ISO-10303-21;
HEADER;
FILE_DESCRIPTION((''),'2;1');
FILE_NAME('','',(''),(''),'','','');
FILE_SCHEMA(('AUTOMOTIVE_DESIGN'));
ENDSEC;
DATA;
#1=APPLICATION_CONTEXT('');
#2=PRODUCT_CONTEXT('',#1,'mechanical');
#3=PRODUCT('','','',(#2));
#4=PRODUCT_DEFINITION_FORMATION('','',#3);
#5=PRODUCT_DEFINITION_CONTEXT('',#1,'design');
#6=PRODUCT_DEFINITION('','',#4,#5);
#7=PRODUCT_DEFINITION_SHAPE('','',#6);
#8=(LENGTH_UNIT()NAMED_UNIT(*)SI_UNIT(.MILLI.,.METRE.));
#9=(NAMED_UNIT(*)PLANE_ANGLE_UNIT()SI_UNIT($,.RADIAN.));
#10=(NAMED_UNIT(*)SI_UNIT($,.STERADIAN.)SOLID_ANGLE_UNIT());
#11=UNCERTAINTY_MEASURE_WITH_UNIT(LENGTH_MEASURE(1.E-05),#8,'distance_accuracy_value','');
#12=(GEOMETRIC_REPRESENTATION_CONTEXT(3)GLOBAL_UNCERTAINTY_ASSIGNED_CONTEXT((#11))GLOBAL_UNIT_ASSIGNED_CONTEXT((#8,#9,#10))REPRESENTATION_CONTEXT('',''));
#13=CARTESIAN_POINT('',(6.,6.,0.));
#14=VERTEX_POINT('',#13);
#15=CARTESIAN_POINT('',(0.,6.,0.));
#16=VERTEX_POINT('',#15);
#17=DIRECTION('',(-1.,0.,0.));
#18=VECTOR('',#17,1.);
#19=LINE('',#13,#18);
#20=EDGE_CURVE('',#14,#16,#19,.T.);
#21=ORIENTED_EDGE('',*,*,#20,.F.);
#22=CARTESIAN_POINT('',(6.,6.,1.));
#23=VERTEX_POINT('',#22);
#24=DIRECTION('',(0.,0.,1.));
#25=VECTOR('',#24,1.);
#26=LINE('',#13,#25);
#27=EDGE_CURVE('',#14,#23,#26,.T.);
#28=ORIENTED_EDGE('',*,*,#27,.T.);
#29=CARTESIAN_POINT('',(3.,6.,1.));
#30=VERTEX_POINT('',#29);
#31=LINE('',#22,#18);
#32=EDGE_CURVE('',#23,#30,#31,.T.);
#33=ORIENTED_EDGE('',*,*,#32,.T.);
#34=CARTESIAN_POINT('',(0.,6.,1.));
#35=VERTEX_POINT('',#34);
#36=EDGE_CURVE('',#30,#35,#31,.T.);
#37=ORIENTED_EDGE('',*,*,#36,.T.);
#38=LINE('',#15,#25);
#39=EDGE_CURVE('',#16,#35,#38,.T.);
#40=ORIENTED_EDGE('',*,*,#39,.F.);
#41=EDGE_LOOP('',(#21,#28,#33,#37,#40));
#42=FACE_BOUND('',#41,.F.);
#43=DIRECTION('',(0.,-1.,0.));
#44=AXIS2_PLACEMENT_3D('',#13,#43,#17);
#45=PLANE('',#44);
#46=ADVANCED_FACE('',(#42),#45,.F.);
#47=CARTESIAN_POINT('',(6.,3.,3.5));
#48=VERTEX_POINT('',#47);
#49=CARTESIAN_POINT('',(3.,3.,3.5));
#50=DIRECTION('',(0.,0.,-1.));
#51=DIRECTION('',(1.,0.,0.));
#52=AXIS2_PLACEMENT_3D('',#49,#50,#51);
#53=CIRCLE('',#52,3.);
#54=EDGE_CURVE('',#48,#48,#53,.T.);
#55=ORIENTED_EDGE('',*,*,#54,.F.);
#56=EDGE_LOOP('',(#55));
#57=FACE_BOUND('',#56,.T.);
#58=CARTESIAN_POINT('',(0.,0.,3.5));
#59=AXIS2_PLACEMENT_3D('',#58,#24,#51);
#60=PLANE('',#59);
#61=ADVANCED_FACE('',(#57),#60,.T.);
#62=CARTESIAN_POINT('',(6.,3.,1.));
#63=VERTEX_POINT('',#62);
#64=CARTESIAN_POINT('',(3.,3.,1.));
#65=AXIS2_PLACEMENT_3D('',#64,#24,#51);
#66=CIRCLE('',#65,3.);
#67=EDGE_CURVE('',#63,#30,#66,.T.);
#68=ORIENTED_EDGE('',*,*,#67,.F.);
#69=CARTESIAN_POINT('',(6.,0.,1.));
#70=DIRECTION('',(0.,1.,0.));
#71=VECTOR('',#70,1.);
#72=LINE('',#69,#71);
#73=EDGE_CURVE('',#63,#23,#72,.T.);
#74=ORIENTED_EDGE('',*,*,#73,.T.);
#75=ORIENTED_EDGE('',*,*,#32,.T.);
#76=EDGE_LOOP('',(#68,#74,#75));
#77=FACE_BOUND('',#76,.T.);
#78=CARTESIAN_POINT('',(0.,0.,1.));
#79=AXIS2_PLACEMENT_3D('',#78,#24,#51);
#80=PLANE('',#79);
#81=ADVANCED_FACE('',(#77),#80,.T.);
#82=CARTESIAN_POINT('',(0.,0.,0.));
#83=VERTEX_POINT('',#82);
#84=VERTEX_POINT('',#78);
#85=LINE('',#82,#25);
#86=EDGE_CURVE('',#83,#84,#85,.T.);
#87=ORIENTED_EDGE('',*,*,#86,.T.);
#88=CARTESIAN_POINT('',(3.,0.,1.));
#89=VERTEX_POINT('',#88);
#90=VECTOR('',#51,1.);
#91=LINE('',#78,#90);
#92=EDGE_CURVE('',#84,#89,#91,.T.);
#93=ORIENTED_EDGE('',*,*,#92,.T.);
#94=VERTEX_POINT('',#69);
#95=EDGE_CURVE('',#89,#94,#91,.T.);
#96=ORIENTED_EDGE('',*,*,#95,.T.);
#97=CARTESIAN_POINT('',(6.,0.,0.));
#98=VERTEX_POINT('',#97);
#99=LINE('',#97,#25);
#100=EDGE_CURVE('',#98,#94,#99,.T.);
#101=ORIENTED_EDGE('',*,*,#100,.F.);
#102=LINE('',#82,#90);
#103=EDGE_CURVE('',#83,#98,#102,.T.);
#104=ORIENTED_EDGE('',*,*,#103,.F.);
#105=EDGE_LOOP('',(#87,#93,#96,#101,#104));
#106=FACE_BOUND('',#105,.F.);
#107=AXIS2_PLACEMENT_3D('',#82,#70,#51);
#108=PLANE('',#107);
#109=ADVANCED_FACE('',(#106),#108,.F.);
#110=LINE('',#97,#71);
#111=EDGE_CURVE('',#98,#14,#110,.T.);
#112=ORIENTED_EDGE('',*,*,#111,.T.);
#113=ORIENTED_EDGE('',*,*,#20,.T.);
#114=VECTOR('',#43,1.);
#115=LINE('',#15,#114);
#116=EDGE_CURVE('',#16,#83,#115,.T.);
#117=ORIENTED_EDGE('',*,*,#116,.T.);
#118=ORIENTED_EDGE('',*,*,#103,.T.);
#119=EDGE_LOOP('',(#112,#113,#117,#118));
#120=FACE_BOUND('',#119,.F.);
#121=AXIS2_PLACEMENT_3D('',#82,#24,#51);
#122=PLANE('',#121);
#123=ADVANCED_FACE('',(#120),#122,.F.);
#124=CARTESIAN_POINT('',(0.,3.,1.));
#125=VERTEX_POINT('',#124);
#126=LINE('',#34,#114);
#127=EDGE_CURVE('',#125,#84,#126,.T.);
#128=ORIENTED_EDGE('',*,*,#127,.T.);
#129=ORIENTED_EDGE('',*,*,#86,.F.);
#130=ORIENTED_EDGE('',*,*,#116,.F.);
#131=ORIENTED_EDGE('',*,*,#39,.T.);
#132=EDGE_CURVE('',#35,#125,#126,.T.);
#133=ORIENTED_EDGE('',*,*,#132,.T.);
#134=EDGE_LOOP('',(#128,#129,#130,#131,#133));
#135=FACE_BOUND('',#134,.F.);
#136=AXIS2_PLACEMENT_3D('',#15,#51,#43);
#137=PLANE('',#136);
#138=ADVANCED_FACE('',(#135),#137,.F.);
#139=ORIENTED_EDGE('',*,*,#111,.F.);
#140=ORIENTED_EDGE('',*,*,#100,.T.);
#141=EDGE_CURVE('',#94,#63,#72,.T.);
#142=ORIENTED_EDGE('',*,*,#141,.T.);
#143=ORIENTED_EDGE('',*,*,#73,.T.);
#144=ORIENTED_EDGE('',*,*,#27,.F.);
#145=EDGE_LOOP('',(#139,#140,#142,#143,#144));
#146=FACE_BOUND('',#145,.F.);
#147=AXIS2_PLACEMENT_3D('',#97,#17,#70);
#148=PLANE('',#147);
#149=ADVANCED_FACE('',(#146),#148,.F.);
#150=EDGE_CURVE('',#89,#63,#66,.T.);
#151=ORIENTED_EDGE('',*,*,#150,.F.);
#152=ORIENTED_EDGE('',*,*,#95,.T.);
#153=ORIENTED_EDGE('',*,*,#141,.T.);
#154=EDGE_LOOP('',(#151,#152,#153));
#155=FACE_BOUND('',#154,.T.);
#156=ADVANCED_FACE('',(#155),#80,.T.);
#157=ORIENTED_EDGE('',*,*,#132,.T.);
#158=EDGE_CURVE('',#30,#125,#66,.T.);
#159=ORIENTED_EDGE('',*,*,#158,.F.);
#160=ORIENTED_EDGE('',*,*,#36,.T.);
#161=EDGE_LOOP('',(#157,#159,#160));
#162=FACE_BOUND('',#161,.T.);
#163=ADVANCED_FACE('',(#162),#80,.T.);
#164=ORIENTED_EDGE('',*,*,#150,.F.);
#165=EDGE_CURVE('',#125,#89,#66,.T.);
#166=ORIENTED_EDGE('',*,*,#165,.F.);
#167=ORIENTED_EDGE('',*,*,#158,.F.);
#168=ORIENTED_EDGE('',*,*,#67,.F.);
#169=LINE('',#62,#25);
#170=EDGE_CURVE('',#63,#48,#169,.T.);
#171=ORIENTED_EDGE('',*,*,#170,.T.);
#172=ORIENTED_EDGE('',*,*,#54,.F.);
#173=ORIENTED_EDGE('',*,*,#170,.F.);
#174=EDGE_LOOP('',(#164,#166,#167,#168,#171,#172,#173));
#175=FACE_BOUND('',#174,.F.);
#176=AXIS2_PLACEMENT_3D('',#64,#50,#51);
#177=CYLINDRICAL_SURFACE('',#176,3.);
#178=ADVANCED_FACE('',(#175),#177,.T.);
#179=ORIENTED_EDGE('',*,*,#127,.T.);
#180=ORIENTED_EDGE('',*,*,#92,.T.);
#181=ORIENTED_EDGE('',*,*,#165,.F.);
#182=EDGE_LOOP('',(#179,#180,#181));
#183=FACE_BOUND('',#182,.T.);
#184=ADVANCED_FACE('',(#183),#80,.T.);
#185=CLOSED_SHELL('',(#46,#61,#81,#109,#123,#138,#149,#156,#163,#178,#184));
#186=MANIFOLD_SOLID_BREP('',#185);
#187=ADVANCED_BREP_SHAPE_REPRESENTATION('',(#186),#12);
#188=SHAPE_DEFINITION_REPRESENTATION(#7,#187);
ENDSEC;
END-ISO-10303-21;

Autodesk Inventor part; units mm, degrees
ref_plane "YZ Plane" through (0, 0, 0) normal (1, 0, 0) x (0, 1, 0)
ref_plane "XZ Plane" through (0, 0, 0) normal (0, 1, 0) x (-1, 0, 0)
ref_plane "XY Plane" through (0, 0, 0) normal (0, 0, 1) x (1, 0, 0)
sketch "Sketch1" plane through (0, 0, 0) normal (0, 0, 1) x (1, 0, 0)
  line L0 (0, 0) -> (6, 0)
  line L1 (6, 0) -> (6, 6)
  line L2 (6, 6) -> (0, 6)
  line L3 (0, 6) -> (0, 0)
  dimension "d0" = 6
  dimension "d1" = 6
extrude "Extrusion1" add sketch "Sketch1" along normal blind 1
sketch "Sketch2" plane through (0, 0, 1) normal (0, 0, 1) x (1, 0, 0)
  circle A0 centre (3, 3) radius 3
  line L0 (0, 6) -> (0, 0) projected
  line L1 (0, 0) -> (6, 0) projected
  dimension "d4" = 6
  dimension "d5" = 3
  dimension "d6" = 3
extrude "Extrusion2" add sketch "Sketch2" along normal blind 2.5 contours A0
properties part number "Servo_bit"
